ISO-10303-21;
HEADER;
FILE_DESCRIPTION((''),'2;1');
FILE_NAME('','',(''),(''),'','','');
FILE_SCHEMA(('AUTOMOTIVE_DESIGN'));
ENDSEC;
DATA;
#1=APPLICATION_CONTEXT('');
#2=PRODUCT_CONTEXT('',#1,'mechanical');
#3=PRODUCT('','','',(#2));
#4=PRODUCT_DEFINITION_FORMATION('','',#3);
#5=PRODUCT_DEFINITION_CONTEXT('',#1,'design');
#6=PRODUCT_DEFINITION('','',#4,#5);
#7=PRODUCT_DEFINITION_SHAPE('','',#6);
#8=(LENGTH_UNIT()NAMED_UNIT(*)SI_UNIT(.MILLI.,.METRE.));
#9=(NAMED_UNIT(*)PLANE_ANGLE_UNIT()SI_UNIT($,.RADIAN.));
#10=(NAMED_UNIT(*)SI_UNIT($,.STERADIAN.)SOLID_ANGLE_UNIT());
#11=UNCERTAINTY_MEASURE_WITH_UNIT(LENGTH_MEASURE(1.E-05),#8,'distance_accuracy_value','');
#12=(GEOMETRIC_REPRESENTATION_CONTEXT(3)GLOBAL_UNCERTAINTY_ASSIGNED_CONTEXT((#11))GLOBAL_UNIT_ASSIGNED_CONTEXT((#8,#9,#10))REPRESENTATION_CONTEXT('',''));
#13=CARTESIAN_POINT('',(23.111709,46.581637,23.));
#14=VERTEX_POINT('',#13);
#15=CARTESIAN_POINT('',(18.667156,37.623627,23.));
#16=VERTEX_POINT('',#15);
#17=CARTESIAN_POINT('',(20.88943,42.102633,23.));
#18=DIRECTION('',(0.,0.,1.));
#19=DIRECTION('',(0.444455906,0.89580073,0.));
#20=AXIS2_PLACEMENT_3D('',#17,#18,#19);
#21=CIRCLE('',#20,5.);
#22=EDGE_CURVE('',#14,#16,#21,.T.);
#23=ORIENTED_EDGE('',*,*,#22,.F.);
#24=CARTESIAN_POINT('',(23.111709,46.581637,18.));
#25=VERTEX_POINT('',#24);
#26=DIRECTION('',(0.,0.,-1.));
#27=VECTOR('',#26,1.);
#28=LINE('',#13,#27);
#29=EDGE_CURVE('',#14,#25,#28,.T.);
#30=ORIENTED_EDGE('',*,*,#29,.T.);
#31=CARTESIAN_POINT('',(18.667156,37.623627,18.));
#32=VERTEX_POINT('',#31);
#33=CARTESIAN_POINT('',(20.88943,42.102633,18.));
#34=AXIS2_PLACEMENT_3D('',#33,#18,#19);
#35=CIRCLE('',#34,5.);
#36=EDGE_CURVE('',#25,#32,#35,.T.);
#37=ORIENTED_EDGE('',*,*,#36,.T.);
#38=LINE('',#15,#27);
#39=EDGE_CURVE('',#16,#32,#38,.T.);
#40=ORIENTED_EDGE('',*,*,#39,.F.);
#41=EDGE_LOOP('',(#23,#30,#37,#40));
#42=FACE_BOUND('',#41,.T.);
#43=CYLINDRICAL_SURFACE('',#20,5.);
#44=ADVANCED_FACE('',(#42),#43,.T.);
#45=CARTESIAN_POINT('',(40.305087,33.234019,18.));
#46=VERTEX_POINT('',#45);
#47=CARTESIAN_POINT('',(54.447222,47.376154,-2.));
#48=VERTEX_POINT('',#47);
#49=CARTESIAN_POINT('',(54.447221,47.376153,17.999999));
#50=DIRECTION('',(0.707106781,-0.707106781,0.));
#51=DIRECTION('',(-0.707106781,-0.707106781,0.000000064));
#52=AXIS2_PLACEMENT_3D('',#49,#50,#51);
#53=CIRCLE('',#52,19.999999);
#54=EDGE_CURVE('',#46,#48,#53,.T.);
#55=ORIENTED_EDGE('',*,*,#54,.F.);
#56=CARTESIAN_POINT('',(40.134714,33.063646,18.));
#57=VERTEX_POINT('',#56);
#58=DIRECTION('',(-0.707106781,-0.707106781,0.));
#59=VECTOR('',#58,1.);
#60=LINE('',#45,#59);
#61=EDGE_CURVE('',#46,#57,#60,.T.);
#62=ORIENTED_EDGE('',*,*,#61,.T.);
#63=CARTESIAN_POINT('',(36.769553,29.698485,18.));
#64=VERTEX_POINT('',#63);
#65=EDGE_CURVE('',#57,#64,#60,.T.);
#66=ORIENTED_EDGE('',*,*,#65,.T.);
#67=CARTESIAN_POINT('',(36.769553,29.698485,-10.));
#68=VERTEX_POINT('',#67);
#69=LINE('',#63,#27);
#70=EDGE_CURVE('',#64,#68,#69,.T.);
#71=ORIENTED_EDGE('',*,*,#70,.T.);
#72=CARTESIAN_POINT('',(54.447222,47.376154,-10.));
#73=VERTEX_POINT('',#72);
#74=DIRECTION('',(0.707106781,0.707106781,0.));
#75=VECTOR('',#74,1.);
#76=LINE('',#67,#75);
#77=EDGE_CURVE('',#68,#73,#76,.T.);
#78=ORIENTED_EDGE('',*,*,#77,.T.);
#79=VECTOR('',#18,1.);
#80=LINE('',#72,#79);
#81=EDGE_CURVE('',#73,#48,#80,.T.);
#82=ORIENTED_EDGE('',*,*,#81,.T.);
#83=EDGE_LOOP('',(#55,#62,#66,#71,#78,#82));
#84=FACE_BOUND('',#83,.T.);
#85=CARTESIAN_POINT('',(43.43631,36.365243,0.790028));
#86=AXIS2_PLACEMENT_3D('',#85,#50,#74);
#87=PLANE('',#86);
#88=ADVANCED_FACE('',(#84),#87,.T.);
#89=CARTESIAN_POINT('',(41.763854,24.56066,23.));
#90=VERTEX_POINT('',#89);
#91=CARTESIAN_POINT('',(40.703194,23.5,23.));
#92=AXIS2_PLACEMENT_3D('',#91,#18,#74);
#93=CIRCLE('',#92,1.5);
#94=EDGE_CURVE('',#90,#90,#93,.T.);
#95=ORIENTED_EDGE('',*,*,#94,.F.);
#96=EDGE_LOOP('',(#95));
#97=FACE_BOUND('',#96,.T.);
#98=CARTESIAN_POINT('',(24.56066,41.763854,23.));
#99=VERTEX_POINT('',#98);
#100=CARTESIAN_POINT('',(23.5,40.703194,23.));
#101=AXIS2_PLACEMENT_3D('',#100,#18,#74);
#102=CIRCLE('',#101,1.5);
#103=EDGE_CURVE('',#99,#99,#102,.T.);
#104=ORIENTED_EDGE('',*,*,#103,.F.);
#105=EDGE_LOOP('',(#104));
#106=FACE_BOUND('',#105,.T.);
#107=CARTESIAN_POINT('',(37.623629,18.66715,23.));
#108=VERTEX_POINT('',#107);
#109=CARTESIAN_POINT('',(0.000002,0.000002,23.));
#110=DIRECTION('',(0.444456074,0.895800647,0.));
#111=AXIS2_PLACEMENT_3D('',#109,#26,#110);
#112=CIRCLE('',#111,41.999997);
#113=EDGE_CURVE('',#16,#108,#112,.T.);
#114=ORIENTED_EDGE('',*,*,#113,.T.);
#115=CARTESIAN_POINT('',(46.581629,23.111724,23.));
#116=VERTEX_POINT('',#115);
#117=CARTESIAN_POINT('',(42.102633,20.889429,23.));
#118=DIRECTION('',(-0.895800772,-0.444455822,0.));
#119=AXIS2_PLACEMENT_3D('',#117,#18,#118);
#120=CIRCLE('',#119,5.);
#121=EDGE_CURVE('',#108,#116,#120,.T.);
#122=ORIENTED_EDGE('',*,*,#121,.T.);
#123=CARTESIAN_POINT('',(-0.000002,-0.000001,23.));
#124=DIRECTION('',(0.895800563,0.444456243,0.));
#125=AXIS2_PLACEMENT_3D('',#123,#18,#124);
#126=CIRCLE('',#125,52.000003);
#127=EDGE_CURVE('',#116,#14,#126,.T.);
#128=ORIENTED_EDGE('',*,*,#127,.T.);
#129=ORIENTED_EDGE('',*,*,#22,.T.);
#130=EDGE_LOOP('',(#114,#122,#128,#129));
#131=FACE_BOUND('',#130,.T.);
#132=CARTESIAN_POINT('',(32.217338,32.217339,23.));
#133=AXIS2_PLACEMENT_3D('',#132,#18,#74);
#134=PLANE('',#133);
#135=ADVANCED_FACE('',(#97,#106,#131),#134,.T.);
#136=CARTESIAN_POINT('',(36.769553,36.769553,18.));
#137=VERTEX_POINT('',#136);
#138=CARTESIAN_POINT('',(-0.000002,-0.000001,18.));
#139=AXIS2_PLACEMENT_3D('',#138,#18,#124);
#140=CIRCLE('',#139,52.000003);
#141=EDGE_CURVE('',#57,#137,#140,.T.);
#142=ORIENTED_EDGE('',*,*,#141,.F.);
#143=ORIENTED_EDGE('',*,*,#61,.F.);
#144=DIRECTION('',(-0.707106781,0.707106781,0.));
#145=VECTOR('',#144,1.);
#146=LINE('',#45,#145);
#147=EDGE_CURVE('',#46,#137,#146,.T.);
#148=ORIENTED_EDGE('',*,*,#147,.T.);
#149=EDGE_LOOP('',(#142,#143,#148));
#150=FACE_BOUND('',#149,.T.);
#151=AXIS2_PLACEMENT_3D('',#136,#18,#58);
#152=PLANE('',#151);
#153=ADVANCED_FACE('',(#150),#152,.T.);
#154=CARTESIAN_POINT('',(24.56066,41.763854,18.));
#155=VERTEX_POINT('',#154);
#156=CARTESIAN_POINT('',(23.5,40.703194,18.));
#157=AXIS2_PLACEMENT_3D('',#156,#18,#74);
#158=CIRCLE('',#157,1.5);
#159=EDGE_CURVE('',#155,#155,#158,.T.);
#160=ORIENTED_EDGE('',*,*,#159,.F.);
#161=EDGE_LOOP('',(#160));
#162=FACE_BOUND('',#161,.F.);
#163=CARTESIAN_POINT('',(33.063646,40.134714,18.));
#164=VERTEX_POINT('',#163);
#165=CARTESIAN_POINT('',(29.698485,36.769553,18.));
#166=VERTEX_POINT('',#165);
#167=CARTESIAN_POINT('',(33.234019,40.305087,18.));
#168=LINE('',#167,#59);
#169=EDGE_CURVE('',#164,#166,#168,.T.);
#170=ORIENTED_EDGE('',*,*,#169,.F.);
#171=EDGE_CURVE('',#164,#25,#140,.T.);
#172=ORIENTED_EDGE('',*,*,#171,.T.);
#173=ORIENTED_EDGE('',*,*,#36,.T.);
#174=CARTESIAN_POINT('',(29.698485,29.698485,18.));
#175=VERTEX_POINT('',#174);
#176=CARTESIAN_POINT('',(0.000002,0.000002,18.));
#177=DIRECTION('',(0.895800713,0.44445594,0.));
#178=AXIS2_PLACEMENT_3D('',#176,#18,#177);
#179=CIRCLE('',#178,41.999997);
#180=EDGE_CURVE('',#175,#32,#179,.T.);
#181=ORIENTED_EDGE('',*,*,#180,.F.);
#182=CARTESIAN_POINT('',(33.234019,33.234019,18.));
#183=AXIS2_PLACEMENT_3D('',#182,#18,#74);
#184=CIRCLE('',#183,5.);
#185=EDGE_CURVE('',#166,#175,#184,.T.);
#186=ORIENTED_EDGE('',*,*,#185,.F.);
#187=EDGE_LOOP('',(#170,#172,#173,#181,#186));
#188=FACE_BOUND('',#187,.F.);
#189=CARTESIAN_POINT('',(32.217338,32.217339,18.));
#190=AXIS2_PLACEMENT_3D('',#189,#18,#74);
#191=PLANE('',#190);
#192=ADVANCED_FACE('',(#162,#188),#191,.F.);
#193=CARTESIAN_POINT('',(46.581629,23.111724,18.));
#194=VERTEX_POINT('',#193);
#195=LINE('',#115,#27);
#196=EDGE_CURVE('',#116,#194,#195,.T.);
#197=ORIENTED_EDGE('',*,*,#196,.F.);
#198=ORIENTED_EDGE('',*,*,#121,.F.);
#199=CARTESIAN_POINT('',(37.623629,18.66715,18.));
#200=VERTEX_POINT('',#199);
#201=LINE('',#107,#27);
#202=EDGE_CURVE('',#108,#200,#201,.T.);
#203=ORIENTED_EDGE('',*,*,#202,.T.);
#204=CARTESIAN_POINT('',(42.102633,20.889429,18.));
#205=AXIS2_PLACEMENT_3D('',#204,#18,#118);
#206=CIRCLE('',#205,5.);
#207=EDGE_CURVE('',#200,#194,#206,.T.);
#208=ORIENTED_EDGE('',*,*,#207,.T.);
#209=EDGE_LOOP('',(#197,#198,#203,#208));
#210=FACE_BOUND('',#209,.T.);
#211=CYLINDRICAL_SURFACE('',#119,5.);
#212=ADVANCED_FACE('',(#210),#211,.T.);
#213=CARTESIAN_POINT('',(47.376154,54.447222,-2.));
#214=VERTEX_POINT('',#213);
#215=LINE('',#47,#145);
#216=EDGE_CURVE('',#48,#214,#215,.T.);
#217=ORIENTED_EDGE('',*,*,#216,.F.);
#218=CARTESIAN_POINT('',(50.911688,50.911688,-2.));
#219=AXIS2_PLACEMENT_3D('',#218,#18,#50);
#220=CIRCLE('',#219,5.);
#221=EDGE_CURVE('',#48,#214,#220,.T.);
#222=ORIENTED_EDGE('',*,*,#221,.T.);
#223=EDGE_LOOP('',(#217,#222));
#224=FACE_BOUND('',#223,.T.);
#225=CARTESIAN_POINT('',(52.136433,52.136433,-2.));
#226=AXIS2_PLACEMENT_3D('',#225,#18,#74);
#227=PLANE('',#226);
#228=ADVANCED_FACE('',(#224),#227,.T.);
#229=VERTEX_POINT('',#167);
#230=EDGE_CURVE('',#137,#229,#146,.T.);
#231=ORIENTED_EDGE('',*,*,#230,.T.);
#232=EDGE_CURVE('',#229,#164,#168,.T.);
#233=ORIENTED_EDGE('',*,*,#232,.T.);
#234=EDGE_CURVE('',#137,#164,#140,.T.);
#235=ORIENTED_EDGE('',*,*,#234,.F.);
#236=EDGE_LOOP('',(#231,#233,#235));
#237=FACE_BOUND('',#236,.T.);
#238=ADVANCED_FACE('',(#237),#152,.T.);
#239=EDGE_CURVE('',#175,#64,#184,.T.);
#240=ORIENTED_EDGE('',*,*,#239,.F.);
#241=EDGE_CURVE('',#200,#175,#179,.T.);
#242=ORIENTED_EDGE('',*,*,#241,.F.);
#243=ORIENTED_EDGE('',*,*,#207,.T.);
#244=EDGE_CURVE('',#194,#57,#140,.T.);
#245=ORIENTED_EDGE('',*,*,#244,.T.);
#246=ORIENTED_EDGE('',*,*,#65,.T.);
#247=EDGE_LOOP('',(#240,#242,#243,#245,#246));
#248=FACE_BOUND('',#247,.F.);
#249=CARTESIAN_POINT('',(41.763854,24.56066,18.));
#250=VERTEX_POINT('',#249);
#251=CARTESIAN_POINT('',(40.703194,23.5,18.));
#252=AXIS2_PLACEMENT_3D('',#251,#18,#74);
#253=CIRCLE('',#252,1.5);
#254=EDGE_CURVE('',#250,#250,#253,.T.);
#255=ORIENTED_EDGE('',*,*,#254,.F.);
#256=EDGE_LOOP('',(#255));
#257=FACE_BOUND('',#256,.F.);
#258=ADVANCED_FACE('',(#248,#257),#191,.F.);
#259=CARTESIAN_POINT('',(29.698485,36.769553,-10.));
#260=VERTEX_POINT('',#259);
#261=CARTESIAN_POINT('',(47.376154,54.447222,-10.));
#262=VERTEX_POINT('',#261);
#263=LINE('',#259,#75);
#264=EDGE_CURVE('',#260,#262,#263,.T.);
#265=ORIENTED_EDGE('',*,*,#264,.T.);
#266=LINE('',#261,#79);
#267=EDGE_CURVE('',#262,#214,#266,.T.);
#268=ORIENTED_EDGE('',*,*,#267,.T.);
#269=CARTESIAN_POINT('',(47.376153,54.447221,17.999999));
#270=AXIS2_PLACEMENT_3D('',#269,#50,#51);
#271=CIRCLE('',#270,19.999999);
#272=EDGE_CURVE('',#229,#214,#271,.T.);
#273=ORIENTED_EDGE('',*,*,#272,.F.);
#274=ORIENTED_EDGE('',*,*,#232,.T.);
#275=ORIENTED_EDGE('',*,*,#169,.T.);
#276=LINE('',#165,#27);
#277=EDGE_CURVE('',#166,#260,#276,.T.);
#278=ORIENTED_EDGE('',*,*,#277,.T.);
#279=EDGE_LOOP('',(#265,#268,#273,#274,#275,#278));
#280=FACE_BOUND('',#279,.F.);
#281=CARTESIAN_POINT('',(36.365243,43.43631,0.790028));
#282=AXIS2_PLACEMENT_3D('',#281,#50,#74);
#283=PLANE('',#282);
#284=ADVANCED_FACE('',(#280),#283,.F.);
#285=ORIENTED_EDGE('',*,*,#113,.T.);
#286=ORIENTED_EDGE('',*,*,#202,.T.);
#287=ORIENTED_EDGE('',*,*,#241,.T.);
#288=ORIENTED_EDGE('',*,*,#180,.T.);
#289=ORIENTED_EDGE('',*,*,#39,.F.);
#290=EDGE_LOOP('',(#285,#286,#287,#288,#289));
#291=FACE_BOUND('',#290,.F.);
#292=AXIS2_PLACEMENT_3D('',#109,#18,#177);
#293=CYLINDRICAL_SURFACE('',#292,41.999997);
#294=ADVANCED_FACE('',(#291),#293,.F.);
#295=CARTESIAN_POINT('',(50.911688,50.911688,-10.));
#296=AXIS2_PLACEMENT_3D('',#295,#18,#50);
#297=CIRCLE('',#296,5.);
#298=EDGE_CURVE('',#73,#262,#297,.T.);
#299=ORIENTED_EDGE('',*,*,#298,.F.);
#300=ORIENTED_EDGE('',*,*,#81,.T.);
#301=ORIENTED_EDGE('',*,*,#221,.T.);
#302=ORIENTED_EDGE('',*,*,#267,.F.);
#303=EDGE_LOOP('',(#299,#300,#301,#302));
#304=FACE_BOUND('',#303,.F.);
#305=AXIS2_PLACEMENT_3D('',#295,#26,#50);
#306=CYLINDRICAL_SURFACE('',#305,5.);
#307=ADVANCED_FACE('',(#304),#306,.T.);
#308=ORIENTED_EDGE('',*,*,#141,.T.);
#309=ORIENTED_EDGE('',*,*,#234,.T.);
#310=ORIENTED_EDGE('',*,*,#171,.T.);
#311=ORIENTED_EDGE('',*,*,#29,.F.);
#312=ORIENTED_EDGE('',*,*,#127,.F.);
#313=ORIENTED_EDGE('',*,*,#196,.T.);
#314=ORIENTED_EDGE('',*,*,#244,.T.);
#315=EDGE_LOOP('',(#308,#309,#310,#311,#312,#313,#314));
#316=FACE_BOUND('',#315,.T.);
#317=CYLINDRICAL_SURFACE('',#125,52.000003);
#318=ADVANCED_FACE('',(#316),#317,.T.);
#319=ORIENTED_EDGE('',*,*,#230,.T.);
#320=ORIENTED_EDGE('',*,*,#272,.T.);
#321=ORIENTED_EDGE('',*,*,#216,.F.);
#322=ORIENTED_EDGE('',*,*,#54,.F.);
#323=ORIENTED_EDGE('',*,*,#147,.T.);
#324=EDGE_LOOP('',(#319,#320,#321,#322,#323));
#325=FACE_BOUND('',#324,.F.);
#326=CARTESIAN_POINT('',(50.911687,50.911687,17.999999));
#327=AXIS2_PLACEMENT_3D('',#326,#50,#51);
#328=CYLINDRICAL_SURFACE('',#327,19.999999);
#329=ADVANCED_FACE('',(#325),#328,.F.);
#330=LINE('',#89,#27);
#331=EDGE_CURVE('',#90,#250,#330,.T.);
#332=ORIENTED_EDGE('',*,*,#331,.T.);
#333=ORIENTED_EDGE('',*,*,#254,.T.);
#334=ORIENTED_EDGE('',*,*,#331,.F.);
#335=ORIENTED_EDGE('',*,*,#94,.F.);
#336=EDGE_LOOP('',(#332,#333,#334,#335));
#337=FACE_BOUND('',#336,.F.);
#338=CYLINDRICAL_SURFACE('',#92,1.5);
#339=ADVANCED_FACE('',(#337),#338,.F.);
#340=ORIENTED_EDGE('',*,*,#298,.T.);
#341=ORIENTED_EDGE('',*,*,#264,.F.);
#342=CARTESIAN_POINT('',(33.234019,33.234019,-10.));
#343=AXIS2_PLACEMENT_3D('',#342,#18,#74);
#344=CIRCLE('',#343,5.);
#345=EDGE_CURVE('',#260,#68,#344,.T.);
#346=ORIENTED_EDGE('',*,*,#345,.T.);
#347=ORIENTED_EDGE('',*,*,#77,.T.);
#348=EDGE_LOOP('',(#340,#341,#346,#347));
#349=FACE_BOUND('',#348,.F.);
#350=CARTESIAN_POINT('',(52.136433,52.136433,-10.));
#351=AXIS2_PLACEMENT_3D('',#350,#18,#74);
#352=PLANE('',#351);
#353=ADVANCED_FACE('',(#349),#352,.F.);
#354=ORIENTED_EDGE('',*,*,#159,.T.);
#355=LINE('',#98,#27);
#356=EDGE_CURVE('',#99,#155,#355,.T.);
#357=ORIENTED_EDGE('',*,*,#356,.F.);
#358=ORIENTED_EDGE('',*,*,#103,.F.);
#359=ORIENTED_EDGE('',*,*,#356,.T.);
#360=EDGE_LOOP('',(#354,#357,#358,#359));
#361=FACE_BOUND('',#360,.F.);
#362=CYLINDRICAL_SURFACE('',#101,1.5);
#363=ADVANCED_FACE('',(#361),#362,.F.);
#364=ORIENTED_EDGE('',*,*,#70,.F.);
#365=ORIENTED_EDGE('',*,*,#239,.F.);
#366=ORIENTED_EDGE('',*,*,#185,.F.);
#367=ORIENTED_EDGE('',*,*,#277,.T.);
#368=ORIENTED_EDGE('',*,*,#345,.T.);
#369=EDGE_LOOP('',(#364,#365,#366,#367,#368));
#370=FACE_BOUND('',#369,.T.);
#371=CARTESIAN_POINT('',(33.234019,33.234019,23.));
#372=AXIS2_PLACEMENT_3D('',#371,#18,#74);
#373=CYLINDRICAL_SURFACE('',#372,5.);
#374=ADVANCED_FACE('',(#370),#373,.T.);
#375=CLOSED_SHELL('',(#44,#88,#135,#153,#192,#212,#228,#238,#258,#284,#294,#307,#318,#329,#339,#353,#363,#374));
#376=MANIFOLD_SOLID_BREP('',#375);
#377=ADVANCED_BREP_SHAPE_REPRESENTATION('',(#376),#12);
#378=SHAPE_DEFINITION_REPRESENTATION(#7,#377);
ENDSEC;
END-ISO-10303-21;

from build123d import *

# Parameters (mm, degrees)
SKETCH014_R             = 1.5
PAD007_DEPTH            = 5
SKETCH015_R             = 5
PAD008_DEPTH            = 33
PAD009_DEPTH            = 5
PAD010_DEPTH            = 8
BODY004_PLACEMENT_ANGLE = 45


with BuildPart() as part:
    # Sketch014 → Pad007 (new body)
    with BuildSketch(Plane.XY):
        with BuildLine():
            ThreePointArc((49.280643, -16.595729), (52, 9e-06), (49.280638, 16.595745))
            ThreePointArc((49.280638, 16.595745), (42.946367, 19.738522), (39.803594, 13.404249))
            ThreePointArc((39.803592, -13.404255), (42, -3e-06), (39.803594, 13.404249))
            ThreePointArc((39.803592, -13.404255), (42.946378, -19.738526), (49.280643, -16.595729))
        make_face()
        with Locations((45.398514, 12.164495)):
            Circle(SKETCH014_R, mode=Mode.SUBTRACT)
        with Locations((45.398514, -12.164495)):
            Circle(SKETCH014_R, mode=Mode.SUBTRACT)
    extrude(amount=-PAD007_DEPTH)

    # Sketch015 → Pad008 (join)
    with BuildSketch(Plane.XY):
        with Locations((47, 0)):
            Circle(SKETCH015_R)
    extrude(amount=-PAD008_DEPTH)

    # Sketch016 → Pad009 (join, symmetric)
    with BuildSketch(Plane.XZ):
        with BuildLine():
            Line((47, -5), (47, -33))
            Line((47, -33), (72, -33))
            Line((72, -33), (72, -25))
            ThreePointArc((52, -5), (57.857864, -19.142136), (72, -25))
            Line((52, -5), (47, -5))
        make_face()
    extrude(amount=PAD009_DEPTH, both=True)

    # Sketch017 → Pad010 (join)
    with BuildSketch(Plane.XY.offset(-33)):
        with BuildLine():
            ThreePointArc((72, -5), (77, 0), (72, 5))
            Line((72, 5), (72, -5))
        make_face()
    extrude(amount=PAD010_DEPTH)


with BuildPart() as part_1:
    # Body004 placement: moved
    add(part.part.moved(Location((0, 0, 23))).rotate(Axis((0, 0, 23), (0, 0, 1)), BODY004_PLACEMENT_ANGLE))


solid = part_1.part
